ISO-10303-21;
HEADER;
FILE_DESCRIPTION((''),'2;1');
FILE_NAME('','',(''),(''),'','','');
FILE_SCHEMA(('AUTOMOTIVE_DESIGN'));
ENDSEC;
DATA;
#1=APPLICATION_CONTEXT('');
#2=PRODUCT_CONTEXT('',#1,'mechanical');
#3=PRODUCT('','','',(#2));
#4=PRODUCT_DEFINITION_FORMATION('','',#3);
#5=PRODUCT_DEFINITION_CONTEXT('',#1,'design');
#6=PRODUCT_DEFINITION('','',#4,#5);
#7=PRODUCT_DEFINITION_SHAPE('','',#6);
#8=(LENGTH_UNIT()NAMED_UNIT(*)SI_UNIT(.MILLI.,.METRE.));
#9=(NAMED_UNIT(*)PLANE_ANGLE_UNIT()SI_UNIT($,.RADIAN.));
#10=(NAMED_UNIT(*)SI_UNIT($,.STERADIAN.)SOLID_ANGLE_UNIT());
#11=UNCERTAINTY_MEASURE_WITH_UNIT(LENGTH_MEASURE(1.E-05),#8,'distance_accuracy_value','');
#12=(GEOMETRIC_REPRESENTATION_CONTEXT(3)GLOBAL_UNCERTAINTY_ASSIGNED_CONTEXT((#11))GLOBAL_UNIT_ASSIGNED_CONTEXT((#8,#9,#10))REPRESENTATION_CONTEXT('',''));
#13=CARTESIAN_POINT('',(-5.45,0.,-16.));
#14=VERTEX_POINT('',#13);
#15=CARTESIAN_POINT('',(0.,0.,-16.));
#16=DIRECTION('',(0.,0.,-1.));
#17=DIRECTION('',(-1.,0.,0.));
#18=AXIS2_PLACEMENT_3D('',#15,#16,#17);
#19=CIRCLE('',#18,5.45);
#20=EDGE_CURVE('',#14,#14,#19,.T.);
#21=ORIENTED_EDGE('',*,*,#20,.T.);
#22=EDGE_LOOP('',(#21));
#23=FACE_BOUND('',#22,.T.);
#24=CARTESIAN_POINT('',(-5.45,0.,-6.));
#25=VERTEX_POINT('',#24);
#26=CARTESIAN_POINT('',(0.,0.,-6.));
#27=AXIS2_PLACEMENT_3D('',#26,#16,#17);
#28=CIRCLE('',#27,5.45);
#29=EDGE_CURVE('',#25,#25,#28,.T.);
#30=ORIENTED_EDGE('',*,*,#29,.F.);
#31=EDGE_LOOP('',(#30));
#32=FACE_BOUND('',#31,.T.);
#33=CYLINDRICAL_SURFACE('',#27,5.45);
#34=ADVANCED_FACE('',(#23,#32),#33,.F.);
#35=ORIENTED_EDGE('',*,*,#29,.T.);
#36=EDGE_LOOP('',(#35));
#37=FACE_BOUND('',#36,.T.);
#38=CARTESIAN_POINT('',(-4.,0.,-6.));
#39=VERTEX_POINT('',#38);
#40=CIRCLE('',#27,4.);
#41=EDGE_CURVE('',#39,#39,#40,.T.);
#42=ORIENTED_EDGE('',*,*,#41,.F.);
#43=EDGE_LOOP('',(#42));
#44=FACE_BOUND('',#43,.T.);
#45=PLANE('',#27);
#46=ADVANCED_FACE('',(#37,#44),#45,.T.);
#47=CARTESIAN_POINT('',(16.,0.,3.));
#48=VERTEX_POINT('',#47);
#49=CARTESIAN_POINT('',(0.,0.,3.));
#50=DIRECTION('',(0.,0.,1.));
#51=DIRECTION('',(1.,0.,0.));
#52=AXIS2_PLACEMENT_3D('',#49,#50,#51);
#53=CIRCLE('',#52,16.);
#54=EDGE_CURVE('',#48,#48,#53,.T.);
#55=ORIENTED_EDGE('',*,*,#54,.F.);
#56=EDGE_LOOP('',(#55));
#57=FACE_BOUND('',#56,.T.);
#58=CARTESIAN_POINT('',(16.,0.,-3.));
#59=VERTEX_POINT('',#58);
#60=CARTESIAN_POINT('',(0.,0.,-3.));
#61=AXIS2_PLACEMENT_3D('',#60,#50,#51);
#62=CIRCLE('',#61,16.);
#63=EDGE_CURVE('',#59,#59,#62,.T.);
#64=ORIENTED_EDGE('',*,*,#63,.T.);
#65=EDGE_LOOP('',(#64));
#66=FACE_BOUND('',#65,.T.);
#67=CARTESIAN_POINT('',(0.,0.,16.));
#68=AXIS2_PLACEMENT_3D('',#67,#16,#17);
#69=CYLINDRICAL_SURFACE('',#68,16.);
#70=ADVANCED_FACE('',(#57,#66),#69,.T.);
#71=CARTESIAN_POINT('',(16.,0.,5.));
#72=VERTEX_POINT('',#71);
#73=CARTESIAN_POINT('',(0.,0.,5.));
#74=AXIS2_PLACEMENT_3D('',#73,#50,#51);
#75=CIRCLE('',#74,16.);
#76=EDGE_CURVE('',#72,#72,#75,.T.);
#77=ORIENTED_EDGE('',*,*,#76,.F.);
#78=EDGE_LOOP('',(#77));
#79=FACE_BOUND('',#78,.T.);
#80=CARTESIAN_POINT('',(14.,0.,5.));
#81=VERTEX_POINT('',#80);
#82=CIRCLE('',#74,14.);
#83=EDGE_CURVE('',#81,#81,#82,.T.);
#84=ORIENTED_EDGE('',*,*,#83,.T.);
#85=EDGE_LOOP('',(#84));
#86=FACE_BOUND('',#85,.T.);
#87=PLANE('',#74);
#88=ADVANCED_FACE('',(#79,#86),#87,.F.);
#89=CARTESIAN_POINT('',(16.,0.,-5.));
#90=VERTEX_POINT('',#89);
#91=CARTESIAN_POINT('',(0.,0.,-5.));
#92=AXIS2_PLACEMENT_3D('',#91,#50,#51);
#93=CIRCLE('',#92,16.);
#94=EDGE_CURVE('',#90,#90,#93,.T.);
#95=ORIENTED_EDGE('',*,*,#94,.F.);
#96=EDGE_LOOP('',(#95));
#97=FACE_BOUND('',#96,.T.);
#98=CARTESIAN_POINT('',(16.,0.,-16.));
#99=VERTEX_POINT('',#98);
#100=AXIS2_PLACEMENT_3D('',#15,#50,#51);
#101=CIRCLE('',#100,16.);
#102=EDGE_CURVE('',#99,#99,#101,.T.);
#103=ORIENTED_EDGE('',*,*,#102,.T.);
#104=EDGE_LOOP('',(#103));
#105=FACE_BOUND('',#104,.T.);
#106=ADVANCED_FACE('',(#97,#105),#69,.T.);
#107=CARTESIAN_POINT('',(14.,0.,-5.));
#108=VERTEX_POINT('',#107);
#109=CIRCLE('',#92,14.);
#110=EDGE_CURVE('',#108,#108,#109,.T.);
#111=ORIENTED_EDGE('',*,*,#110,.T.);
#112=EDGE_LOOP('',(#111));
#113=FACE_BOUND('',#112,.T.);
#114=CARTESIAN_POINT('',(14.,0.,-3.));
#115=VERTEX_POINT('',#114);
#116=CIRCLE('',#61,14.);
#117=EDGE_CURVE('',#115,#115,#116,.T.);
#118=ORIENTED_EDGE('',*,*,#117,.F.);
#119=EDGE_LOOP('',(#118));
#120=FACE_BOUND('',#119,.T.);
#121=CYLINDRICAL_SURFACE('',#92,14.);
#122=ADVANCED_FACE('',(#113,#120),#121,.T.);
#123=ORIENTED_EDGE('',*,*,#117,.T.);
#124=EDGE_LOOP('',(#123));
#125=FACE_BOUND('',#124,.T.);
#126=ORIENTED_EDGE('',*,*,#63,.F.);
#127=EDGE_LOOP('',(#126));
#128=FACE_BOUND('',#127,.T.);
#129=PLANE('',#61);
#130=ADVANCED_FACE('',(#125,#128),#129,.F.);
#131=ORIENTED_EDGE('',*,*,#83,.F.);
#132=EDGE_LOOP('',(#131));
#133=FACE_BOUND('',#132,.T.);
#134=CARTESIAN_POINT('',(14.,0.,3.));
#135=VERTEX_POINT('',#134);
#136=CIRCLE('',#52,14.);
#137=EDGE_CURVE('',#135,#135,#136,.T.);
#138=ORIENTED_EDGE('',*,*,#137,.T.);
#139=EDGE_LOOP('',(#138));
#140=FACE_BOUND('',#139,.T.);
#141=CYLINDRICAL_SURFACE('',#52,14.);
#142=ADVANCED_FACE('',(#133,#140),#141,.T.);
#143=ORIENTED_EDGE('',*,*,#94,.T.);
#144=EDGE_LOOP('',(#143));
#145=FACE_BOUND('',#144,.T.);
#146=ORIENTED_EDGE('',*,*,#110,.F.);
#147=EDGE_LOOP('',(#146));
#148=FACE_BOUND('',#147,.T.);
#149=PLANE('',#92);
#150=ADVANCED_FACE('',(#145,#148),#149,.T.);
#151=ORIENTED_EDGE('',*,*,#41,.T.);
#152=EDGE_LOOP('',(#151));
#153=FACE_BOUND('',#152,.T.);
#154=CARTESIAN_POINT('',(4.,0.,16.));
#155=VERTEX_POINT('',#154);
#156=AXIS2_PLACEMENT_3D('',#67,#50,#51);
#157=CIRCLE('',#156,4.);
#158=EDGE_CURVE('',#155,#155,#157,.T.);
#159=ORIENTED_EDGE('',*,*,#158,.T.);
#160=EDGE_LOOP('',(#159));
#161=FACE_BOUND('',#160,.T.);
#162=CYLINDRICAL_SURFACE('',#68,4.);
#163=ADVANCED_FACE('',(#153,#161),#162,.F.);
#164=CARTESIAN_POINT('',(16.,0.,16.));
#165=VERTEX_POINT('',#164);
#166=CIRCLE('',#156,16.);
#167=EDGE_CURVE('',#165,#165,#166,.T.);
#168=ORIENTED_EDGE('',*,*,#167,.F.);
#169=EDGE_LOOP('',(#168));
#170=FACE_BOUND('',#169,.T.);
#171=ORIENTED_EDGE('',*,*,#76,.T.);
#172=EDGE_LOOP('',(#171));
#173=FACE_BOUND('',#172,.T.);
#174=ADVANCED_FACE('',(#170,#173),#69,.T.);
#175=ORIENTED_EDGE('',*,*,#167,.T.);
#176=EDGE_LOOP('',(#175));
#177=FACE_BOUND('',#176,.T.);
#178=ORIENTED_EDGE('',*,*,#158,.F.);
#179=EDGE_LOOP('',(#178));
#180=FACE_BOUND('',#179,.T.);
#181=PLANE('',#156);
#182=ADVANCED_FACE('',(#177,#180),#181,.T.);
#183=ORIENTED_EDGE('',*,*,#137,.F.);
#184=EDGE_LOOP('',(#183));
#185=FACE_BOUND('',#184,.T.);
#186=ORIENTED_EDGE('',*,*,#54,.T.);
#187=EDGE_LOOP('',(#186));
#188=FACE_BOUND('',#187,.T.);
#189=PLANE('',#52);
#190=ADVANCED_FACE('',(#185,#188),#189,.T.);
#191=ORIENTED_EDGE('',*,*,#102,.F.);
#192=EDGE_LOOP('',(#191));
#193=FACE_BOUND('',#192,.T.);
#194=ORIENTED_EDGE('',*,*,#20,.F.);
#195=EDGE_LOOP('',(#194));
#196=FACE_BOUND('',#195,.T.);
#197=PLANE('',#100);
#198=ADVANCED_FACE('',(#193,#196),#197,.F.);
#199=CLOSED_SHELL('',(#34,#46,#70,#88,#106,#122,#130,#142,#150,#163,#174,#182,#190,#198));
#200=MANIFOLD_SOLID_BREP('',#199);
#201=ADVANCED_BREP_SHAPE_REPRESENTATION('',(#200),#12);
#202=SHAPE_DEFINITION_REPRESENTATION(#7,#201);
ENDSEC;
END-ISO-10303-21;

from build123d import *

# Parameters (mm, degrees)
SKETCH_1_R          = 16
SKETCH_1_R_2        = 4
EXTRUDE_1_DEPTH     = 16
CUT_EXTRUDE_START   = 5
SKETCH_2_R          = 16
SKETCH_2_R_2        = 14
CUT_EXTRUDE_1_DEPTH = 2
CUT_EXTRUDE_START_2 = -3
SKETCH_2_2_R        = 16
SKETCH_2_2_R_2      = 14
CUT_EXTRUDE_2_DEPTH = 2
SKETCH_4_R          = 5.45
CUT_EXTRUDE_4_DEPTH = 10


with BuildPart() as part:
    # 스케치1 → 보스-돌출1 (new, symmetric)
    with BuildSketch(Plane.XY):
        Circle(SKETCH_1_R)
        Circle(SKETCH_1_R_2, mode=Mode.SUBTRACT)
    extrude(amount=EXTRUDE_1_DEPTH, both=True)

    # 스케치2 → 컷-돌출1 (cut)
    with BuildSketch(Plane.XY.offset(CUT_EXTRUDE_START)):
        Circle(SKETCH_2_R)
        Circle(SKETCH_2_R_2, mode=Mode.SUBTRACT)
    extrude(amount=-CUT_EXTRUDE_1_DEPTH, mode=Mode.SUBTRACT)

    # 스케치2<2> → 컷-돌출2 (cut)
    with BuildSketch(Plane.XY.offset(CUT_EXTRUDE_START_2)):
        Circle(SKETCH_2_2_R)
        Circle(SKETCH_2_2_R_2, mode=Mode.SUBTRACT)
    extrude(amount=-CUT_EXTRUDE_2_DEPTH, mode=Mode.SUBTRACT)

    # 스케치4 → 컷-돌출4 (cut)
    with BuildSketch(Plane(origin=(0, 0, -16), x_dir=(-1, 0, 0), z_dir=(0, 0, -1))):
        Circle(SKETCH_4_R)
    extrude(amount=-CUT_EXTRUDE_4_DEPTH, mode=Mode.SUBTRACT)


solid = part.part
